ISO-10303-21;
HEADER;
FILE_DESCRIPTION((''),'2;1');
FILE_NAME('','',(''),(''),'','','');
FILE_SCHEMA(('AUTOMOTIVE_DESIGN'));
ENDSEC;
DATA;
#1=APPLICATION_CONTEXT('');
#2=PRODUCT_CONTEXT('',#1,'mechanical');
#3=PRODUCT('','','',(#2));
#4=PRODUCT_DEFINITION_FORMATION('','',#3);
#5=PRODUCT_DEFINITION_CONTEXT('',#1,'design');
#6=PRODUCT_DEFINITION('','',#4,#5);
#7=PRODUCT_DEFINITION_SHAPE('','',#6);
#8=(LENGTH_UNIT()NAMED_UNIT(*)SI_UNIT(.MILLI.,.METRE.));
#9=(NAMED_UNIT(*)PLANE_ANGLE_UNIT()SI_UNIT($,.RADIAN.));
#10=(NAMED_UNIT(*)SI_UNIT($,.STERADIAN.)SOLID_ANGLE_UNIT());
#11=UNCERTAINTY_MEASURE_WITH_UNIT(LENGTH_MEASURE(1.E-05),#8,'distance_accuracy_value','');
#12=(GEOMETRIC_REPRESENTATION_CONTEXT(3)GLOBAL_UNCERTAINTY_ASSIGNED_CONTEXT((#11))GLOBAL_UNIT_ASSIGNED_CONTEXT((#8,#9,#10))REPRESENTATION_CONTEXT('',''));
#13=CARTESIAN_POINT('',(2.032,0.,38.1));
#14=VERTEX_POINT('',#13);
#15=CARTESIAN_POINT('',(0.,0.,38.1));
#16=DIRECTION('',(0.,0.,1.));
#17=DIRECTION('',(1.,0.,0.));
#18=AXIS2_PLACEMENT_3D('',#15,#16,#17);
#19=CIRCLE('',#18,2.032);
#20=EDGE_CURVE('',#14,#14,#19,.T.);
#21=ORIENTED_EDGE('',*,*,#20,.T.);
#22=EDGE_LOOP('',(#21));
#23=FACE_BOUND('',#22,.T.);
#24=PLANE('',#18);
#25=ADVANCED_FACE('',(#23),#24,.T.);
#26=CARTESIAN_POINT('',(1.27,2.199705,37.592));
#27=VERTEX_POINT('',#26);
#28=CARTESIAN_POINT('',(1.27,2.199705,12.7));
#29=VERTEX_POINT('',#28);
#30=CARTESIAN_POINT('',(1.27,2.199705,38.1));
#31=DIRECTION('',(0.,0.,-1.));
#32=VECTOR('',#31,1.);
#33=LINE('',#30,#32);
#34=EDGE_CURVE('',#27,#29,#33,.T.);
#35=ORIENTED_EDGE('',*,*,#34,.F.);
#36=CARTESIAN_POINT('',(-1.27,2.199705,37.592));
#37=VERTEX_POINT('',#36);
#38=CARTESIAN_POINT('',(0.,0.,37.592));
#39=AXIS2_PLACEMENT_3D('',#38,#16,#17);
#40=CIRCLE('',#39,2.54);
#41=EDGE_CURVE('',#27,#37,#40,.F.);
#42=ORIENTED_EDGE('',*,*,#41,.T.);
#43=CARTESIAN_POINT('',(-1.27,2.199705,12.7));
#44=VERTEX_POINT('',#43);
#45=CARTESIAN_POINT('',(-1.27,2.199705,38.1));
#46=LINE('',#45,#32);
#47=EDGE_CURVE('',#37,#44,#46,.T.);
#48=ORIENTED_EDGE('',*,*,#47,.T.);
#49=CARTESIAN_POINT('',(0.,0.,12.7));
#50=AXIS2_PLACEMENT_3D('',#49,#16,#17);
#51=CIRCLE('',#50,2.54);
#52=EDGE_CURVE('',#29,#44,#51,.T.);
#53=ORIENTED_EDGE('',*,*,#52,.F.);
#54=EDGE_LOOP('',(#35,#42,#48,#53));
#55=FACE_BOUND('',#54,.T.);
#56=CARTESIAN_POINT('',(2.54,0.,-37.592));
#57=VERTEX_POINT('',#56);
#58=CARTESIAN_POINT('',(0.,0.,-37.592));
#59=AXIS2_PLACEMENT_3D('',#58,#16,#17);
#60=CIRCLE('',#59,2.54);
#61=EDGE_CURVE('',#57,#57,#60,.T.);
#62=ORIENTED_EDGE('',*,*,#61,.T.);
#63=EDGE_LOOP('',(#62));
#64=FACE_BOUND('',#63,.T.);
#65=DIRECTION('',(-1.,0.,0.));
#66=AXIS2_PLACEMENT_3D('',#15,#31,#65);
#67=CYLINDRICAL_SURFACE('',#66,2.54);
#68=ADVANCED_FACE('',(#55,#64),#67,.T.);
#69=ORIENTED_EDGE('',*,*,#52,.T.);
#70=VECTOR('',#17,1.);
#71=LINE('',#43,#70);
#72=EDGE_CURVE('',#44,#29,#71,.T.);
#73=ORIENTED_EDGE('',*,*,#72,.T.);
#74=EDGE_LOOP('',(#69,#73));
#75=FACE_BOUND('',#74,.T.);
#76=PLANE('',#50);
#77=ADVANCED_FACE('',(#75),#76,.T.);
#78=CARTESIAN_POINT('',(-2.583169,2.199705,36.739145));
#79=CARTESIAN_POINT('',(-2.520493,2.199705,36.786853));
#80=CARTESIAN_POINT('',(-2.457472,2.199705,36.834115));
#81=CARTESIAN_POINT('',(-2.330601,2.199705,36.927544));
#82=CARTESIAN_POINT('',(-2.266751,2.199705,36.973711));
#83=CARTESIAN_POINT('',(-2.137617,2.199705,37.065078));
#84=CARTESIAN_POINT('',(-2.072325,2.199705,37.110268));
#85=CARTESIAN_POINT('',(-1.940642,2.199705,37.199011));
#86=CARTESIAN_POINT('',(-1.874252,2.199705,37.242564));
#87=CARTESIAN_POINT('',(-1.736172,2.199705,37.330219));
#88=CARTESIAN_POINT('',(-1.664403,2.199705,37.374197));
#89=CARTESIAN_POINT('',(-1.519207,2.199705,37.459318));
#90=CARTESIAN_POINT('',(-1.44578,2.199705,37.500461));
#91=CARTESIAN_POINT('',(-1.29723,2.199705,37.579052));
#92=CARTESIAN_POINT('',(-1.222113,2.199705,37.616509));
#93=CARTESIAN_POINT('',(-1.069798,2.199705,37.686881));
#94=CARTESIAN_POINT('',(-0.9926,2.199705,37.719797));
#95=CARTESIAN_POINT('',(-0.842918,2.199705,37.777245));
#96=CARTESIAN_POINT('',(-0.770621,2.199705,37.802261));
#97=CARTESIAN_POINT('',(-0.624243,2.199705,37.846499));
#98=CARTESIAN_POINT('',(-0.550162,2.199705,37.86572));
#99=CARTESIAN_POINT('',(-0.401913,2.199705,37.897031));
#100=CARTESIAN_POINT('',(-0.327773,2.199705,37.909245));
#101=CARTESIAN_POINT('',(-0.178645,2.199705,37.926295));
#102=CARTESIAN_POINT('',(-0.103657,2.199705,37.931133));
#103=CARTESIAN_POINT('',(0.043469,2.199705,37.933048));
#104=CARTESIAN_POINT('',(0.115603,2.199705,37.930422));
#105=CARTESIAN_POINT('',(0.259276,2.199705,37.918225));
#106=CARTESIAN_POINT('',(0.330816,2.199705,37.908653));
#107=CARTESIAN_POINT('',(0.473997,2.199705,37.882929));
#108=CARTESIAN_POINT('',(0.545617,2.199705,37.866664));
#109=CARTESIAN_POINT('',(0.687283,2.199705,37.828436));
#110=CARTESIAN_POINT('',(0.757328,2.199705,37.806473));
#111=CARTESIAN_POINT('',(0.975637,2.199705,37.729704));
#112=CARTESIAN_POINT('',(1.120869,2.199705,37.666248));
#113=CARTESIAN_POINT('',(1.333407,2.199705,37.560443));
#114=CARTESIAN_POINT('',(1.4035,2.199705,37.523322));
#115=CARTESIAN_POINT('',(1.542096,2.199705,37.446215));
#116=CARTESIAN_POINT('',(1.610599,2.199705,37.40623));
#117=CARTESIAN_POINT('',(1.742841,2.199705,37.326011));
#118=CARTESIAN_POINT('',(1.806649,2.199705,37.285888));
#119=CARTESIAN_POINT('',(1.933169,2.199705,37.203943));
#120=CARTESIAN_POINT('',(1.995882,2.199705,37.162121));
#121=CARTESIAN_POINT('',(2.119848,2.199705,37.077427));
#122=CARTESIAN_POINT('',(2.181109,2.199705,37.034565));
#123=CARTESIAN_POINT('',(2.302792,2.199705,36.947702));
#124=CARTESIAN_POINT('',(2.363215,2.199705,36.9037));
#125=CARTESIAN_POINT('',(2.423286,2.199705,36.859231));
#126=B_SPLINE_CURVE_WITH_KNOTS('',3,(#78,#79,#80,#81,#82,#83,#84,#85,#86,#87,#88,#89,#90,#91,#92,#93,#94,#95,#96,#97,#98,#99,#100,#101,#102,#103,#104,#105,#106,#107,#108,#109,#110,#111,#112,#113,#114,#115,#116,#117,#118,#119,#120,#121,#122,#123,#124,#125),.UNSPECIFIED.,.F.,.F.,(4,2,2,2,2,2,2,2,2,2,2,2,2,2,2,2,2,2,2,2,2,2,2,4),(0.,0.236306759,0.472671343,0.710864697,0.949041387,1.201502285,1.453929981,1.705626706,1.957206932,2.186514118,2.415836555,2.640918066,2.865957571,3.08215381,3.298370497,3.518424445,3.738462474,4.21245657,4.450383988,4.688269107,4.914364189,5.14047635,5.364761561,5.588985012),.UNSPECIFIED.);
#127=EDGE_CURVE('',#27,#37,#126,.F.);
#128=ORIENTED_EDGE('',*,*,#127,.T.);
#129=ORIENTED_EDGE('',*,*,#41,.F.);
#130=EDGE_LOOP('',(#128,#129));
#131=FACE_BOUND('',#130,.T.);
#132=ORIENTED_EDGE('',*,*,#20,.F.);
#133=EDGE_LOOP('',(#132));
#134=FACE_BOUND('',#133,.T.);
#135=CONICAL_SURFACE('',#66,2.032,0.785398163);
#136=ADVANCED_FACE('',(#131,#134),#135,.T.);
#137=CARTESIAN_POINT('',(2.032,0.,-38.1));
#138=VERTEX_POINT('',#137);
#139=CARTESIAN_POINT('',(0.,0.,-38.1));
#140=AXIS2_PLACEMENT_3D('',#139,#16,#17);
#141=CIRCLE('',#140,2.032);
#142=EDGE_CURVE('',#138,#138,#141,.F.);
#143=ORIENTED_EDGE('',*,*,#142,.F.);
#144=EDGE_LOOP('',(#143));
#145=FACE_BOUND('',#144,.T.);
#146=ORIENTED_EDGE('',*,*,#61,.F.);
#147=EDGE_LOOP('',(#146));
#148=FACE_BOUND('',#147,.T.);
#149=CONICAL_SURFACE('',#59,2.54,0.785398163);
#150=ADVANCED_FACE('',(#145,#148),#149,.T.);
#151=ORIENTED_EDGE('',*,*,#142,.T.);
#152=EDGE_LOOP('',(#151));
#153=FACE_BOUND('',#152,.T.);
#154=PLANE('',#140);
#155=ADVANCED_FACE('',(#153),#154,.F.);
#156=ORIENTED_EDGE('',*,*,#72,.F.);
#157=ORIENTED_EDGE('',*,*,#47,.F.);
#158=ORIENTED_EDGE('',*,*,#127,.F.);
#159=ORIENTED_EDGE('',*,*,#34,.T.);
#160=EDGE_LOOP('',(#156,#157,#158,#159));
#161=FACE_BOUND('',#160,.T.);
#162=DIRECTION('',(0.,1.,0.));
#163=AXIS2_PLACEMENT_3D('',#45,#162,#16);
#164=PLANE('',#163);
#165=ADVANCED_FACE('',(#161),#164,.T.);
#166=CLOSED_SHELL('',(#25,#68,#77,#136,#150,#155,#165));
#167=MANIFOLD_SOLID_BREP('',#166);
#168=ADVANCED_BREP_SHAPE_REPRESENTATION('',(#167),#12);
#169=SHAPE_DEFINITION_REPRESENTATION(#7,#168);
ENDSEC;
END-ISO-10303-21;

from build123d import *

# Parameters (mm, degrees)
SKETCH1_R      = 2.54
EXTRUDE1_DEPTH = 38.1
CHAMFER1_SIZE  = 0.508
EXTRUDE7_DEPTH = 26.4


with BuildPart() as part:
    # Sketch1 → Extrude1 (new body, symmetric)
    with BuildSketch(Plane.XY):
        Circle(SKETCH1_R)
    extrude(amount=EXTRUDE1_DEPTH, both=True)

    # Chamfer1
    chamfer1_edges = [part.edges().sort_by_distance(p)[0] for p in [
        (-2.54, 0, -38.1),
        (-2.54, 0, 38.1),
    ]]
    chamfer(chamfer1_edges, length=CHAMFER1_SIZE)

    # Sketch13 → Extrude7 (cut, through all)
    with BuildSketch(Plane.XY.offset(12.7)):
        with BuildLine():
            Line((-1.27, 2.199704526), (1.27, 2.199704526))
            ThreePointArc((1.27, 2.199704526), (0, 2.54), (-1.27, 2.199704526))
        make_face()
    extrude(amount=EXTRUDE7_DEPTH, mode=Mode.SUBTRACT)


solid = part.part
